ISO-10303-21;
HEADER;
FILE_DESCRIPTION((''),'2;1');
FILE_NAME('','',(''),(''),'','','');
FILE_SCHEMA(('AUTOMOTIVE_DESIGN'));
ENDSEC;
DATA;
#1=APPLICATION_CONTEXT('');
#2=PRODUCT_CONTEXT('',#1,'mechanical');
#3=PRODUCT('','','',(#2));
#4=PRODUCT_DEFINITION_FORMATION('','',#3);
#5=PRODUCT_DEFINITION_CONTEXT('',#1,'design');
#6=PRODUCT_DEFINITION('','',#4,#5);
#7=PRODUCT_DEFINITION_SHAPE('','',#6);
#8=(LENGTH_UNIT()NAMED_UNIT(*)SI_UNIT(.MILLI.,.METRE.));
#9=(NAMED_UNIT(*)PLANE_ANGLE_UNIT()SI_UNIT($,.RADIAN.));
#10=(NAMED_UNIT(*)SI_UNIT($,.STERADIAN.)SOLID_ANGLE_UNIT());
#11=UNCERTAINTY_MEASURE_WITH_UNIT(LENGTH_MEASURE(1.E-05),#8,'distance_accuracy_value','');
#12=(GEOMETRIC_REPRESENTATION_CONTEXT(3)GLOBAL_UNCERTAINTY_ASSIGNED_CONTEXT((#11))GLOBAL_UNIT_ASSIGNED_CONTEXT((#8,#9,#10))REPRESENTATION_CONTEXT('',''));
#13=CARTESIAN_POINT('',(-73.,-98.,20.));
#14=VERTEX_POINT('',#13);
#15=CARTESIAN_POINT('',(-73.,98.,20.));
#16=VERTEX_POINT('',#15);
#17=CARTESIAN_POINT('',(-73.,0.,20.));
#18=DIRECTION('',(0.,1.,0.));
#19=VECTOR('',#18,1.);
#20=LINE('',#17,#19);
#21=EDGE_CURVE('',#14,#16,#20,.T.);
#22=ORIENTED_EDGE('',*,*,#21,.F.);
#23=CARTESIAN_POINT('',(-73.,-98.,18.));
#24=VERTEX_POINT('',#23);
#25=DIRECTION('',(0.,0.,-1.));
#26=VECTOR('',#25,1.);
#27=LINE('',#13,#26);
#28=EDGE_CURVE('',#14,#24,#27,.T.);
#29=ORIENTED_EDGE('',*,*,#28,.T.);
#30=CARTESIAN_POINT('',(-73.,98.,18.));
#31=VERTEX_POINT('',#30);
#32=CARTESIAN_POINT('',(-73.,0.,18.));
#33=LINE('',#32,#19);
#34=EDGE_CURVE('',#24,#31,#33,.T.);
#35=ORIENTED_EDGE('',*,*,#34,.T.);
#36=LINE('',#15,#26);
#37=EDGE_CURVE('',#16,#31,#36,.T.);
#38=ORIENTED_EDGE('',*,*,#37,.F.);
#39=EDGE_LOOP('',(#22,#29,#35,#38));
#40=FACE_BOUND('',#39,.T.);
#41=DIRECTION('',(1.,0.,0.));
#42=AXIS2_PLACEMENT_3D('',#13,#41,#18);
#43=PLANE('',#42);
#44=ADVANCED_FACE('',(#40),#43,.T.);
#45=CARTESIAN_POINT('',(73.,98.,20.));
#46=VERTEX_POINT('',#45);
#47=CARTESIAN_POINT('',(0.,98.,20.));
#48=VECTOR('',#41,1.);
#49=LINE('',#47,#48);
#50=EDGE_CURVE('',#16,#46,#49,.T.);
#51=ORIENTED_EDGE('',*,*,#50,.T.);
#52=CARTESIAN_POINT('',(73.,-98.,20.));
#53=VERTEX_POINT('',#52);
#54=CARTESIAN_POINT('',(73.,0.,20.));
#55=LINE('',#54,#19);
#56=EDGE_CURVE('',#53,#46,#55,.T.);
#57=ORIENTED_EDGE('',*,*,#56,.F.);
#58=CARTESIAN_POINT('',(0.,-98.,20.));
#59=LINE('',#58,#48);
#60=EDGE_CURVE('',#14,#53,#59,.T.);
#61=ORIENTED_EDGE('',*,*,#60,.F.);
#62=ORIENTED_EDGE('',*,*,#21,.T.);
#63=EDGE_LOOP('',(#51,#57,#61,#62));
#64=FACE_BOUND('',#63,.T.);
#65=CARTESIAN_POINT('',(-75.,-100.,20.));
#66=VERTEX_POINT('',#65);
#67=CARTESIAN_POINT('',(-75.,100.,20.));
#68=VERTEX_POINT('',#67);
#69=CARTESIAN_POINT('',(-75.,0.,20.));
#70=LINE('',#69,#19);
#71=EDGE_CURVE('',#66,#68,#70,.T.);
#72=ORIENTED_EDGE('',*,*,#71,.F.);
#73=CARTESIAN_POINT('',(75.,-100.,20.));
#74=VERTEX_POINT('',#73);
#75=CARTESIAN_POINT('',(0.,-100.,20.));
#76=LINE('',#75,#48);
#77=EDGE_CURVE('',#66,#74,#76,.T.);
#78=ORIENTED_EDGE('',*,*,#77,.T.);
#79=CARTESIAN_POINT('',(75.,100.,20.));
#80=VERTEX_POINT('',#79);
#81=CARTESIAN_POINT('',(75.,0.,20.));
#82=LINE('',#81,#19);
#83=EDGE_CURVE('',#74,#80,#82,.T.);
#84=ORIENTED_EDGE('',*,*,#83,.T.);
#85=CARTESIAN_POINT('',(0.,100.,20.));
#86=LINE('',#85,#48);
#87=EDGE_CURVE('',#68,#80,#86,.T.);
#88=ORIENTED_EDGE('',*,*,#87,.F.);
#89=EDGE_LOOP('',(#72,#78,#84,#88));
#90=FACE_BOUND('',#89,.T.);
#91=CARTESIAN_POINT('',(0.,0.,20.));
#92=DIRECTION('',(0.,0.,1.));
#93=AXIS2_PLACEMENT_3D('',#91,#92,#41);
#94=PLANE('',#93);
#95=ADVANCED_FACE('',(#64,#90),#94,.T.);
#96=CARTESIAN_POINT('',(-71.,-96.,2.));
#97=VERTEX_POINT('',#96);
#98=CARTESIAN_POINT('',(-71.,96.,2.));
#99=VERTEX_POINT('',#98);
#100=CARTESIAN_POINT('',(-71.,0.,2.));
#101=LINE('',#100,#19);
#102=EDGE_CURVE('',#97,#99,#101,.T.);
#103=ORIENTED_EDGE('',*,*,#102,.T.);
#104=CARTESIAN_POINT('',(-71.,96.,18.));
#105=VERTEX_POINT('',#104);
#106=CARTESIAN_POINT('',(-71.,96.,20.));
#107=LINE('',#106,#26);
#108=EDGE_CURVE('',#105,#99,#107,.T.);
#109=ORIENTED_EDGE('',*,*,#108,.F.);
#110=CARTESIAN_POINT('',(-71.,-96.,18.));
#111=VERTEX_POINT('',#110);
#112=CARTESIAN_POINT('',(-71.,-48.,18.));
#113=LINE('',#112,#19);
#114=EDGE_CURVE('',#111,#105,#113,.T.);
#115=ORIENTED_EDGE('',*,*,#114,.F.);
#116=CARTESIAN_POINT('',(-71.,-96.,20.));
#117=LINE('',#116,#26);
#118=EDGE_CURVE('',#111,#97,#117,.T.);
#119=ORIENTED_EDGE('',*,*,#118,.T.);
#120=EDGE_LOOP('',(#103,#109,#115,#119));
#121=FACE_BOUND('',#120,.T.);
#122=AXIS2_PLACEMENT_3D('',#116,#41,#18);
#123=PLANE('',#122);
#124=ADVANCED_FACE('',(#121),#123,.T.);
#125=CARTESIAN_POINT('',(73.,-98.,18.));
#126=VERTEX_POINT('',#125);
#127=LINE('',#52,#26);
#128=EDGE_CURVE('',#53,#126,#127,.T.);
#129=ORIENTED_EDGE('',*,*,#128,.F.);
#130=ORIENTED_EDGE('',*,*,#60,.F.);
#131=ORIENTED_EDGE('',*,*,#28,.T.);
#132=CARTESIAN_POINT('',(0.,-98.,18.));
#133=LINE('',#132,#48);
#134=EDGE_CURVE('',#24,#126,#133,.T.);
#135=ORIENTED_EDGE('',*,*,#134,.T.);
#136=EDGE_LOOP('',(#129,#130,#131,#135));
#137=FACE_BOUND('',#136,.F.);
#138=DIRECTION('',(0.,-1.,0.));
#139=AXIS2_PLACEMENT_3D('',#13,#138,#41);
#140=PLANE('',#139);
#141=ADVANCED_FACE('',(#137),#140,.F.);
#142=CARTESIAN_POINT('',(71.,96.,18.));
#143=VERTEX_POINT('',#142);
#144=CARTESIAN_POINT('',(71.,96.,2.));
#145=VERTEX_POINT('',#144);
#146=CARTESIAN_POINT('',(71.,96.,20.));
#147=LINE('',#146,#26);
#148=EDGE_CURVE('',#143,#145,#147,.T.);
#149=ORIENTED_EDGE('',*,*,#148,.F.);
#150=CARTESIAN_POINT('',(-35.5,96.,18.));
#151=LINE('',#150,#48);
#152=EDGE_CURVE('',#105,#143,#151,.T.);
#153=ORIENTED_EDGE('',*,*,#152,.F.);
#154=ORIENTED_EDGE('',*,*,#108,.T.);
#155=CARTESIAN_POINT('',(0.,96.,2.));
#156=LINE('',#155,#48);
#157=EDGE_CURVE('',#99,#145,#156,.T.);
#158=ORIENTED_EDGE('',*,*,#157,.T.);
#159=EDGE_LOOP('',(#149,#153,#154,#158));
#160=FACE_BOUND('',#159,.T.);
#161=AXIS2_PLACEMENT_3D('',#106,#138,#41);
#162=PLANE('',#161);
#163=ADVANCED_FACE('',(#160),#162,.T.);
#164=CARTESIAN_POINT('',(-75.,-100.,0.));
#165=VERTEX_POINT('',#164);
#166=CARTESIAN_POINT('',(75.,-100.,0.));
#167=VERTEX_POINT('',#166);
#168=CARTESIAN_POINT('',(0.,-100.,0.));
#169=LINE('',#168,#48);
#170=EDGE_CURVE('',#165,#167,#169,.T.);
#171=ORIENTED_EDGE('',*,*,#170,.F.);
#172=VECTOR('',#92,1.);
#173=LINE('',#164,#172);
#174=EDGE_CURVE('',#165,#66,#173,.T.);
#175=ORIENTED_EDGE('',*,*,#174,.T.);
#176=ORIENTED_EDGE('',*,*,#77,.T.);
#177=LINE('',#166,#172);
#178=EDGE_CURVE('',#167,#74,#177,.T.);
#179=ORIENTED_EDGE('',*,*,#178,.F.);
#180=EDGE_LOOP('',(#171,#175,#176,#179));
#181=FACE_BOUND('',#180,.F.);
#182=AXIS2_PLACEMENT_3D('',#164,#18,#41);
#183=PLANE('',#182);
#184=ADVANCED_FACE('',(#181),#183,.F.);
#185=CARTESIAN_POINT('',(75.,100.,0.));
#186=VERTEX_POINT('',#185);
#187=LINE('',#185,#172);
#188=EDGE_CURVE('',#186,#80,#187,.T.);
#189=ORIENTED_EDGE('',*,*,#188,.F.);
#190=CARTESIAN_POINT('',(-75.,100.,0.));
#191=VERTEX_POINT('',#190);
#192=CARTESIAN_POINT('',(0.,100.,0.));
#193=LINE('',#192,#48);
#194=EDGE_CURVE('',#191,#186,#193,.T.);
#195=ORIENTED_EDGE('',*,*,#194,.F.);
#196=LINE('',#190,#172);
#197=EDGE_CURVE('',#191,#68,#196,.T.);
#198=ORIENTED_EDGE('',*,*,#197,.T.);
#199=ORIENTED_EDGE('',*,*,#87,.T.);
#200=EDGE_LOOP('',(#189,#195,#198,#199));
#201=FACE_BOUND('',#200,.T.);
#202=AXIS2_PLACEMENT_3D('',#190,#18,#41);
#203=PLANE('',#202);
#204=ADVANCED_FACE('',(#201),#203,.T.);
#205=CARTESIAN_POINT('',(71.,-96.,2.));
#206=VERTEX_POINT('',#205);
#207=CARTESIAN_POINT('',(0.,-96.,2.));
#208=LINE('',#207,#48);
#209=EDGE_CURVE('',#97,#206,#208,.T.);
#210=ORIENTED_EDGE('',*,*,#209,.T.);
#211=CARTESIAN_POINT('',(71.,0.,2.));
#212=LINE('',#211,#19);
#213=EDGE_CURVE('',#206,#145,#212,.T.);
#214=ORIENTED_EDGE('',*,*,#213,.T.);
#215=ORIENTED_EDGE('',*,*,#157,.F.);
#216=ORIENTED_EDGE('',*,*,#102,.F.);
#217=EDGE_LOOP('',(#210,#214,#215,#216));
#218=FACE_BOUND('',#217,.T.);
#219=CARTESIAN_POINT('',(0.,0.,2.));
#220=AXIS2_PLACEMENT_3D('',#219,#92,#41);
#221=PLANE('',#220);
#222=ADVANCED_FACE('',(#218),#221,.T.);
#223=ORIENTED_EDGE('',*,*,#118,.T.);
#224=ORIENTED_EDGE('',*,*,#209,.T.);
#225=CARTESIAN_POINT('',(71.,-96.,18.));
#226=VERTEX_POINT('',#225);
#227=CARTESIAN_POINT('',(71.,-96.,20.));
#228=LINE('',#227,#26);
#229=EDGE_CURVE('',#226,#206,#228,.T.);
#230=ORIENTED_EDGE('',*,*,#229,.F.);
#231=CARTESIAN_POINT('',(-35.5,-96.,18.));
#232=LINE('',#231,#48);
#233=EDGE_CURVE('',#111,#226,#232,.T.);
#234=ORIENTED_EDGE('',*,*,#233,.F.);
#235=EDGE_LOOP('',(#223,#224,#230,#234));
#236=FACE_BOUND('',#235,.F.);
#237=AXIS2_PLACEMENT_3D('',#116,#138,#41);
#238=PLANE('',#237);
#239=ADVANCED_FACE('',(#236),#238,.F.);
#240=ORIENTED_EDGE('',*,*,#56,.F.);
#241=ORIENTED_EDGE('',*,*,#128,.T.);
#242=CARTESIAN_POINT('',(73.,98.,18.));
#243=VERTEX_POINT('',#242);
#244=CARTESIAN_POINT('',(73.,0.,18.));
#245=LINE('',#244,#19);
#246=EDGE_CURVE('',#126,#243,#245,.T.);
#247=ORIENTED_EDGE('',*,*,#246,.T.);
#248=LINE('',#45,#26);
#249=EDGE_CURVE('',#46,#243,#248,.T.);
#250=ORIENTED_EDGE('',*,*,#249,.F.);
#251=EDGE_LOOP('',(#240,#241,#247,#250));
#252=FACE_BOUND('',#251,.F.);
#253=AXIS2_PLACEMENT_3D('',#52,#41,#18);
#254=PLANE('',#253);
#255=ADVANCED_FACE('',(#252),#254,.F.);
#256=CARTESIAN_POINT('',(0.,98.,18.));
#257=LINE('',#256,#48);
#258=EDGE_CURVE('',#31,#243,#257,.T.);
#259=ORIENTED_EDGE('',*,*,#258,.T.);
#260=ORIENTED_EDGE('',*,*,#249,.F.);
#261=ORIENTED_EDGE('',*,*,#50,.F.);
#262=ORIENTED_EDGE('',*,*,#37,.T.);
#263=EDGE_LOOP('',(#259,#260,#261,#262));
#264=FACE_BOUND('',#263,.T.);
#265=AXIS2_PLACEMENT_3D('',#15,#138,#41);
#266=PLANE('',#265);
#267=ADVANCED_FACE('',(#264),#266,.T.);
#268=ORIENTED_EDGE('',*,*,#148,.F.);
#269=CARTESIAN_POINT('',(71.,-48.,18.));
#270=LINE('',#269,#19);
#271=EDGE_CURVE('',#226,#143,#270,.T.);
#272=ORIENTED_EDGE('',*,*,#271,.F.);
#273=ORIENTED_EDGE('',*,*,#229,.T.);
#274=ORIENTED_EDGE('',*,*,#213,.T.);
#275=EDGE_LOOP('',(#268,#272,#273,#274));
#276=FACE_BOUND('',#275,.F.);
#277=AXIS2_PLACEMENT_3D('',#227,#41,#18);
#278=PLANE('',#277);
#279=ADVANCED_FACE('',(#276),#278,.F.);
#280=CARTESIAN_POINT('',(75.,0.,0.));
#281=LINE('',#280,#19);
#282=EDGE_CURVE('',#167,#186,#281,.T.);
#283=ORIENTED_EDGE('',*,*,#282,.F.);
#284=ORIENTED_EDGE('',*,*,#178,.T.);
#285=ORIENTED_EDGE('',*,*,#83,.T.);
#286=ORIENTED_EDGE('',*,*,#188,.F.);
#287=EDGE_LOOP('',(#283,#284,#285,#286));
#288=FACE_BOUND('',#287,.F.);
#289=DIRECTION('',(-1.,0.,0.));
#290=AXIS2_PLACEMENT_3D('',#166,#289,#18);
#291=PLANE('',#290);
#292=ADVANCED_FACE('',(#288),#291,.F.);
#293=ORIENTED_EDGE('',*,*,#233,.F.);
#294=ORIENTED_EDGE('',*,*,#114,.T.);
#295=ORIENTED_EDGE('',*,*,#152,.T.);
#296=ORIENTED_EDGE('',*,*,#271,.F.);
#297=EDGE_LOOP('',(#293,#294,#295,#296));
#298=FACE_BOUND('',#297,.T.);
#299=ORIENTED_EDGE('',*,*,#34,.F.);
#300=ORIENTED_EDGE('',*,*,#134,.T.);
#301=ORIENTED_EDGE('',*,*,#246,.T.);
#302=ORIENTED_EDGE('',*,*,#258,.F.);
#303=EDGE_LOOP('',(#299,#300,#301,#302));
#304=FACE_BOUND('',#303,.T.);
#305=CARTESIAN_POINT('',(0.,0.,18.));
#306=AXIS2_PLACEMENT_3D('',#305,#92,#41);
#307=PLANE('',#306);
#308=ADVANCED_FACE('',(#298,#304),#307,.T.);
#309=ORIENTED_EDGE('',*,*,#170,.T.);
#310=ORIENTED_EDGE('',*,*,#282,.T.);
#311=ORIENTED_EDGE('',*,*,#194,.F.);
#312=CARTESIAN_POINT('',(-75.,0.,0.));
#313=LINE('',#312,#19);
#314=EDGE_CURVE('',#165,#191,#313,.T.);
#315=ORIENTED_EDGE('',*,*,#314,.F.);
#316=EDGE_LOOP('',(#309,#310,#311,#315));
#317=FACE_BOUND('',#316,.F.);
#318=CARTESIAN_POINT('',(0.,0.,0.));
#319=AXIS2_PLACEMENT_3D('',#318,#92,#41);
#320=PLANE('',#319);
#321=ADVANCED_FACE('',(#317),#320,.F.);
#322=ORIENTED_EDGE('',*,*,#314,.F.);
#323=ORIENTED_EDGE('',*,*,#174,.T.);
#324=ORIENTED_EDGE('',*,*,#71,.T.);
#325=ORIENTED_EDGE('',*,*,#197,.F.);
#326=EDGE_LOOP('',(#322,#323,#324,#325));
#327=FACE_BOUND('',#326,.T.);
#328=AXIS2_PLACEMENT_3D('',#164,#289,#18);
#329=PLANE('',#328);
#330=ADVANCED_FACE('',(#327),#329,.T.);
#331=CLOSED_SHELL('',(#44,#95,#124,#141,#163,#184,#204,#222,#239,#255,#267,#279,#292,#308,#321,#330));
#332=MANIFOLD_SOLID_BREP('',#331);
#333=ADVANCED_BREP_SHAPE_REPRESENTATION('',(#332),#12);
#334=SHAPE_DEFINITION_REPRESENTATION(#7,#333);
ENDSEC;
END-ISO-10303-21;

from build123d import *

# Parameters (mm, degrees)
SKETCH_W        = 150
SKETCH_H        = 200
PAD_DEPTH       = 20
SKETCH001_W     = 146
SKETCH001_H     = 196
POCKET_DEPTH    = 2
SKETCH002_W     = 142
SKETCH002_H     = 192
POCKET001_DEPTH = 18


with BuildPart() as part:
    # Sketch → Pad (new body)
    with BuildSketch(Plane.XY):
        Rectangle(SKETCH_W, SKETCH_H)
    extrude(amount=PAD_DEPTH)

    # Sketch001 → Pocket (cut)
    with BuildSketch(Plane.XY.offset(20)):
        Rectangle(SKETCH001_W, SKETCH001_H)
    extrude(amount=-POCKET_DEPTH, mode=Mode.SUBTRACT)

    # Sketch002 → Pocket001 (cut)
    with BuildSketch(Plane.XY.offset(20)):
        Rectangle(SKETCH002_W, SKETCH002_H)
    extrude(amount=-POCKET001_DEPTH, mode=Mode.SUBTRACT)


solid = part.part
